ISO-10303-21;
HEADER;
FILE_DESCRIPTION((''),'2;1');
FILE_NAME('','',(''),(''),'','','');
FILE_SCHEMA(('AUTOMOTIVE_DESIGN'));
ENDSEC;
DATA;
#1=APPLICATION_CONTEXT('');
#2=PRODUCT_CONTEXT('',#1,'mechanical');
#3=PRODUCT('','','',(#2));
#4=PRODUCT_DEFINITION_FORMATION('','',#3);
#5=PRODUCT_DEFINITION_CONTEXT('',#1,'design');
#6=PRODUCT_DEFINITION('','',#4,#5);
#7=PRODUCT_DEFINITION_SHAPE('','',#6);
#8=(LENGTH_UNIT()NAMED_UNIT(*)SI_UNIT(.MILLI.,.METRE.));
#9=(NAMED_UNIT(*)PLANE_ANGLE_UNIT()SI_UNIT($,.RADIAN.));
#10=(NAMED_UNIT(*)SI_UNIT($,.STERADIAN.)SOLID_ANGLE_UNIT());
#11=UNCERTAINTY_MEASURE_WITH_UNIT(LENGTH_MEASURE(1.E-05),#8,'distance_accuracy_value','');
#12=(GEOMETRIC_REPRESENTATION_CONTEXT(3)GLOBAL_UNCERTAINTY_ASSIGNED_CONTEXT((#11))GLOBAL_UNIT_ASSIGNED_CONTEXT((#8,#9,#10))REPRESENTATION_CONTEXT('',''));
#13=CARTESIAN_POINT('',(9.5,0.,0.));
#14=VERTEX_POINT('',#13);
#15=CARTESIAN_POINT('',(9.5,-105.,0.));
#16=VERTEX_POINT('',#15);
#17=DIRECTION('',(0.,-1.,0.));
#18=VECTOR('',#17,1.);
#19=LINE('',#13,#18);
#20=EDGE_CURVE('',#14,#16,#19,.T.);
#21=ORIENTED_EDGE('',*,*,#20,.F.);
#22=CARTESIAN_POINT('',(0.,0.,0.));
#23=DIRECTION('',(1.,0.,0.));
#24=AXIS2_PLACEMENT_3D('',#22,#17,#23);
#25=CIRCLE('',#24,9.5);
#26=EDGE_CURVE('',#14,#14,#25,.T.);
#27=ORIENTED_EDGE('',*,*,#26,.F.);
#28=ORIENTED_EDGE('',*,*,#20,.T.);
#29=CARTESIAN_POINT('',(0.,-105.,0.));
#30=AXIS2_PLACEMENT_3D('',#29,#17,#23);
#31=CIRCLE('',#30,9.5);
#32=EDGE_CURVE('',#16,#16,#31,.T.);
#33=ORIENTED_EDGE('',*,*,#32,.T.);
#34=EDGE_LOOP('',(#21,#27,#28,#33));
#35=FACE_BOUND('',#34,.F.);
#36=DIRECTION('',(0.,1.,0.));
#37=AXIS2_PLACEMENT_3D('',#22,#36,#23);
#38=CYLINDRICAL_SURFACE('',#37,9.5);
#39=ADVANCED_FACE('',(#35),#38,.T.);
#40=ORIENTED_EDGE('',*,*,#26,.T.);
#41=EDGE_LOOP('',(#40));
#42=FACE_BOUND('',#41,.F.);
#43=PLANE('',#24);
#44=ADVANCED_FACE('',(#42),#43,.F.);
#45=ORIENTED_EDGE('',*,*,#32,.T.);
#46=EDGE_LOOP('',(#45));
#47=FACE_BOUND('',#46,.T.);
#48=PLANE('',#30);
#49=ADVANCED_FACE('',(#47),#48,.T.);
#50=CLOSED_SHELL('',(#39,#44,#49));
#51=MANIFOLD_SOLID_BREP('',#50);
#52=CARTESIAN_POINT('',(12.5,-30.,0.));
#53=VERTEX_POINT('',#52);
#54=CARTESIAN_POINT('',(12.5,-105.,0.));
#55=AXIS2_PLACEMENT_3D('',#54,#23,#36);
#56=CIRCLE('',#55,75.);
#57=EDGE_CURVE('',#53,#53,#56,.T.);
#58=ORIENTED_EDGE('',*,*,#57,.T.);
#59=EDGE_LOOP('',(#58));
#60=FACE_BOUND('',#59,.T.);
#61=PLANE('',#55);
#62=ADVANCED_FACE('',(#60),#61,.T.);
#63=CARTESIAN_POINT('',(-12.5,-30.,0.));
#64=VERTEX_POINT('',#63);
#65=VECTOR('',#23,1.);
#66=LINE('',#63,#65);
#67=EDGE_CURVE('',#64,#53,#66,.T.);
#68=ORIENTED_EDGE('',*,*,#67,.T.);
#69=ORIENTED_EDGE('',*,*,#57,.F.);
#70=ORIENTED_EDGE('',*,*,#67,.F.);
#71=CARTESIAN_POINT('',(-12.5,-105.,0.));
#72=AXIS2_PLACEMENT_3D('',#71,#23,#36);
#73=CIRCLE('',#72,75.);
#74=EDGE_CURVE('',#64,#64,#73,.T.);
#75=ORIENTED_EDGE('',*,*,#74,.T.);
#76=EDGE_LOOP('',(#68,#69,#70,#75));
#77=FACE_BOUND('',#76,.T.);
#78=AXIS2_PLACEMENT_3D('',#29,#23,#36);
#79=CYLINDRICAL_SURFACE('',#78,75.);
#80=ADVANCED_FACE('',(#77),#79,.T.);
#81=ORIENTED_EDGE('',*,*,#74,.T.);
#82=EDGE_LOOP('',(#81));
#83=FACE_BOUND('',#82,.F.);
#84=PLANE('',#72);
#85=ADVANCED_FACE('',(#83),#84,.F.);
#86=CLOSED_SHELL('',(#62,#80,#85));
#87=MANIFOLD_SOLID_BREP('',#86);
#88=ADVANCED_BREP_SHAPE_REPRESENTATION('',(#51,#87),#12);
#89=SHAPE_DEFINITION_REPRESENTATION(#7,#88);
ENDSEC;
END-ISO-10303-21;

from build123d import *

# Parameters (mm, degrees)
F0_R     = 9.5
F1_DEPTH = 105
F2_R     = 75
F3_DEPTH = 12.5


with BuildPart() as f1:
    # F0 (on Front) → F1 (new body)
    with BuildSketch(Plane.XZ):
        Circle(F0_R)
    extrude(amount=F1_DEPTH)


with BuildPart() as f3:
    # F2 (on Right) → F3 (new body, symmetric)
    with BuildSketch(Plane.YZ):
        with Locations((-105, 0)):
            Circle(F2_R)
    extrude(amount=F3_DEPTH, both=True)


solid = Compound([f1.part, f3.part])
